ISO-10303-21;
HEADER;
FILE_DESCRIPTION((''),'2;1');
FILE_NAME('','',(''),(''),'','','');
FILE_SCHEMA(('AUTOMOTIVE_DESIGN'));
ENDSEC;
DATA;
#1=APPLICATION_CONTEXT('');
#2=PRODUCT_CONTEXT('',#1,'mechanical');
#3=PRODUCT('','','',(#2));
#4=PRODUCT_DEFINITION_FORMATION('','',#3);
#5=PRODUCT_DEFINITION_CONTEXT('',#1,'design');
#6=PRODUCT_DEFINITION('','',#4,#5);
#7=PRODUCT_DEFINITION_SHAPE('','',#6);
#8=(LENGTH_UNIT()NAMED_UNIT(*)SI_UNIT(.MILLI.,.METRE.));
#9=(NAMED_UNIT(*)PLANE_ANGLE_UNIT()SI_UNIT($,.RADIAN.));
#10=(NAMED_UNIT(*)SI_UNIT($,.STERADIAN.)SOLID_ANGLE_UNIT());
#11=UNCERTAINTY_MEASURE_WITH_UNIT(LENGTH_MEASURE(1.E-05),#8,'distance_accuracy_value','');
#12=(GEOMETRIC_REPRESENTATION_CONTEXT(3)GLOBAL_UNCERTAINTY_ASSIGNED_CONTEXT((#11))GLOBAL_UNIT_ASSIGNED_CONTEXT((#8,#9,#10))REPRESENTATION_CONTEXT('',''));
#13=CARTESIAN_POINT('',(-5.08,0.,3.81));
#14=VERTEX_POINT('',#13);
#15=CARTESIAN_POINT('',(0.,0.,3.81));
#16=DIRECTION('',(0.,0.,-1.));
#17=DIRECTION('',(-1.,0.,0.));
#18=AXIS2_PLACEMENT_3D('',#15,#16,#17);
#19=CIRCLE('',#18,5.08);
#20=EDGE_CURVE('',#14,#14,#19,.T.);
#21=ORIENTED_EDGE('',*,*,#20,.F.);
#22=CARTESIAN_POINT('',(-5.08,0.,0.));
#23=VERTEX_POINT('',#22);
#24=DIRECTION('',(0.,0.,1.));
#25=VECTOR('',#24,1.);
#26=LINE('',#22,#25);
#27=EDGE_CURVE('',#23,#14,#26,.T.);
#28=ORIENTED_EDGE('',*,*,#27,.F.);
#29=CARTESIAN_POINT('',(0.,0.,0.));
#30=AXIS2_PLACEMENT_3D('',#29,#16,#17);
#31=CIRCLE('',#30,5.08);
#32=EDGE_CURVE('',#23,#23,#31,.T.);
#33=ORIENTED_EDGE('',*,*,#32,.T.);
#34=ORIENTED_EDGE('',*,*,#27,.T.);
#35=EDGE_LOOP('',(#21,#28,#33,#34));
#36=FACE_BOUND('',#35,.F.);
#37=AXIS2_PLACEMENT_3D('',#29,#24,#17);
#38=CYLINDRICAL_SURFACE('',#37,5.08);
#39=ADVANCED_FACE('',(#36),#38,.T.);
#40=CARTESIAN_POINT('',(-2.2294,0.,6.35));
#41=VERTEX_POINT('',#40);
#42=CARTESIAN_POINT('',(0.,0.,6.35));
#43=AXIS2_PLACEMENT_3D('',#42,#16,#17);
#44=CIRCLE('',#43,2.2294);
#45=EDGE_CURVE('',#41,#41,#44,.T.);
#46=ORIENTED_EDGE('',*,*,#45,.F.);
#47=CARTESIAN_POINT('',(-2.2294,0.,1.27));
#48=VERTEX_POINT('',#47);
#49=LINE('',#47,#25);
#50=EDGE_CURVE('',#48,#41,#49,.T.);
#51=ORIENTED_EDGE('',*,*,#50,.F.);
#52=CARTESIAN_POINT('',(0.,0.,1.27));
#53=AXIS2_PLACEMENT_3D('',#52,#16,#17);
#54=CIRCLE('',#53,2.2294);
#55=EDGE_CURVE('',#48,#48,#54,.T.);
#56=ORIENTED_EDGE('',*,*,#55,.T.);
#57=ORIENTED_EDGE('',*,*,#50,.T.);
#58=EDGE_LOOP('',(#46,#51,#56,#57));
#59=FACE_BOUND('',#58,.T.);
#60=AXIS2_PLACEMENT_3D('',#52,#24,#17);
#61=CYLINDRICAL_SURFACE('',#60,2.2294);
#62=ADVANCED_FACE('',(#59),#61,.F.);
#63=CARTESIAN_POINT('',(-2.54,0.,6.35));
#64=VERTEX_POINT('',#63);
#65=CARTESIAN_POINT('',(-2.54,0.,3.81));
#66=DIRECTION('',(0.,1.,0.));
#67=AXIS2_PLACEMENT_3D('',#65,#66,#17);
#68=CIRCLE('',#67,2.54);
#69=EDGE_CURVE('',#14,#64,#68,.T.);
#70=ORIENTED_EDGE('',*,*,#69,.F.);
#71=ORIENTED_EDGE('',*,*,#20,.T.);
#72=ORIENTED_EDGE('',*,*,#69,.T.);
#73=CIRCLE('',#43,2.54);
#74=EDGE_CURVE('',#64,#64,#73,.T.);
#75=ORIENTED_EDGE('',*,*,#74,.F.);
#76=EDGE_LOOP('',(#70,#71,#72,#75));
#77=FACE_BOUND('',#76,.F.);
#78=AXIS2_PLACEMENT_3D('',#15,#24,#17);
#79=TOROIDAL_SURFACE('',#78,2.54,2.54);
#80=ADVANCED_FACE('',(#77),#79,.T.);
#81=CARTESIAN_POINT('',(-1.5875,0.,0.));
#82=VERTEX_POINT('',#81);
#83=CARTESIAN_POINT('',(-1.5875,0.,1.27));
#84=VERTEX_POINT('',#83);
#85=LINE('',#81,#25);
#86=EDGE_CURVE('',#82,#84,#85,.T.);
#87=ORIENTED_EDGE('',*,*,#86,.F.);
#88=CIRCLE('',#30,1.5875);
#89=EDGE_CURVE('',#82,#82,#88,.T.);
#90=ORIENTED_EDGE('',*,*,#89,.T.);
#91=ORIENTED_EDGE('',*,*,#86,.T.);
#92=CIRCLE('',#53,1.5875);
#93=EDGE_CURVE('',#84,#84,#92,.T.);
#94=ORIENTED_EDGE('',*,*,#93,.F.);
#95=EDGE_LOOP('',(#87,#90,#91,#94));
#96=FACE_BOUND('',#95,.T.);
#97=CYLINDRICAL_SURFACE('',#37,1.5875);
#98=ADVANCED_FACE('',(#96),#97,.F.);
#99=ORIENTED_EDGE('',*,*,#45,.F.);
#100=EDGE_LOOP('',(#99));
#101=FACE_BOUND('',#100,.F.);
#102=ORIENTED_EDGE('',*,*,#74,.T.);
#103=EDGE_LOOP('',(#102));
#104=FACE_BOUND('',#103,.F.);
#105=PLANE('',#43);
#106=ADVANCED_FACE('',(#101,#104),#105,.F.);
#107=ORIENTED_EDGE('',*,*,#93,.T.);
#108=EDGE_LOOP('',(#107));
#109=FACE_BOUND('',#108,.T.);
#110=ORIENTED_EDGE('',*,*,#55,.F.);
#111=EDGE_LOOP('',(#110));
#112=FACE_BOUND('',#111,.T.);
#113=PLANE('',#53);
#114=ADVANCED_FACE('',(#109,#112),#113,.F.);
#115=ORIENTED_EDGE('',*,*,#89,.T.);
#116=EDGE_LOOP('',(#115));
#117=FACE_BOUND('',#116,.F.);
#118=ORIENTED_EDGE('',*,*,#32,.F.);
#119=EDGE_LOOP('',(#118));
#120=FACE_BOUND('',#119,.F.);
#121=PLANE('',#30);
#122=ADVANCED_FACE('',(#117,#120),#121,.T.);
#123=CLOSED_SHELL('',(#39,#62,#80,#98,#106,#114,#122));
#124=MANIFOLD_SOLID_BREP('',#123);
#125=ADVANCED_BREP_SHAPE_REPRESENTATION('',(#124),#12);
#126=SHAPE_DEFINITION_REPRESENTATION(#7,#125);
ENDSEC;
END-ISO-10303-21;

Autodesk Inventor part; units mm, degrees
ref_plane "YZ Plane" through (0, 0, 0) normal (1, 0, 0) x (0, 1, 0)
ref_plane "XZ Plane" through (0, 0, 0) normal (0, 1, 0) x (-1, 0, 0)
ref_plane "XY Plane" through (0, 0, 0) normal (0, 0, 1) x (1, 0, 0)
sketch "Sketch1" plane through (0, 0, 0) normal (0, 1, 0) x (-1, 0, 0)
  line L0 (0, 0) -> (5.08, 0)
  line L1 (5.08, 0) -> (5.08, 3.81)
  line L2 (2.54, 6.35) -> (0, 6.35)
  line L3 (0, 6.35) -> (0, 0)
  arc A0 (5.08, 3.81) -> (2.54, 6.35) centre (2.54, 3.81) ccw
  line L4 (1.5875, 0) -> (1.5875, 1.27)
  line L5 (1.5875, 1.27) -> (2.2294, 1.27)
  line L6 (2.2294, 1.27) -> (2.2294, 6.35)
  dimension "d0" = 2.54
  dimension "d1" = 5.08
  dimension "d2" = 6.35
  dimension "d3" = 1.5875
  dimension "d5" = 1.27
revolve "Revolution1" add sketch "Sketch1" angle 360 about axis through (0, 0, 6.35) along (0, 0, -1) contours L4 L5 L6 L2 A0 L1 L0
properties part number "Feet"
